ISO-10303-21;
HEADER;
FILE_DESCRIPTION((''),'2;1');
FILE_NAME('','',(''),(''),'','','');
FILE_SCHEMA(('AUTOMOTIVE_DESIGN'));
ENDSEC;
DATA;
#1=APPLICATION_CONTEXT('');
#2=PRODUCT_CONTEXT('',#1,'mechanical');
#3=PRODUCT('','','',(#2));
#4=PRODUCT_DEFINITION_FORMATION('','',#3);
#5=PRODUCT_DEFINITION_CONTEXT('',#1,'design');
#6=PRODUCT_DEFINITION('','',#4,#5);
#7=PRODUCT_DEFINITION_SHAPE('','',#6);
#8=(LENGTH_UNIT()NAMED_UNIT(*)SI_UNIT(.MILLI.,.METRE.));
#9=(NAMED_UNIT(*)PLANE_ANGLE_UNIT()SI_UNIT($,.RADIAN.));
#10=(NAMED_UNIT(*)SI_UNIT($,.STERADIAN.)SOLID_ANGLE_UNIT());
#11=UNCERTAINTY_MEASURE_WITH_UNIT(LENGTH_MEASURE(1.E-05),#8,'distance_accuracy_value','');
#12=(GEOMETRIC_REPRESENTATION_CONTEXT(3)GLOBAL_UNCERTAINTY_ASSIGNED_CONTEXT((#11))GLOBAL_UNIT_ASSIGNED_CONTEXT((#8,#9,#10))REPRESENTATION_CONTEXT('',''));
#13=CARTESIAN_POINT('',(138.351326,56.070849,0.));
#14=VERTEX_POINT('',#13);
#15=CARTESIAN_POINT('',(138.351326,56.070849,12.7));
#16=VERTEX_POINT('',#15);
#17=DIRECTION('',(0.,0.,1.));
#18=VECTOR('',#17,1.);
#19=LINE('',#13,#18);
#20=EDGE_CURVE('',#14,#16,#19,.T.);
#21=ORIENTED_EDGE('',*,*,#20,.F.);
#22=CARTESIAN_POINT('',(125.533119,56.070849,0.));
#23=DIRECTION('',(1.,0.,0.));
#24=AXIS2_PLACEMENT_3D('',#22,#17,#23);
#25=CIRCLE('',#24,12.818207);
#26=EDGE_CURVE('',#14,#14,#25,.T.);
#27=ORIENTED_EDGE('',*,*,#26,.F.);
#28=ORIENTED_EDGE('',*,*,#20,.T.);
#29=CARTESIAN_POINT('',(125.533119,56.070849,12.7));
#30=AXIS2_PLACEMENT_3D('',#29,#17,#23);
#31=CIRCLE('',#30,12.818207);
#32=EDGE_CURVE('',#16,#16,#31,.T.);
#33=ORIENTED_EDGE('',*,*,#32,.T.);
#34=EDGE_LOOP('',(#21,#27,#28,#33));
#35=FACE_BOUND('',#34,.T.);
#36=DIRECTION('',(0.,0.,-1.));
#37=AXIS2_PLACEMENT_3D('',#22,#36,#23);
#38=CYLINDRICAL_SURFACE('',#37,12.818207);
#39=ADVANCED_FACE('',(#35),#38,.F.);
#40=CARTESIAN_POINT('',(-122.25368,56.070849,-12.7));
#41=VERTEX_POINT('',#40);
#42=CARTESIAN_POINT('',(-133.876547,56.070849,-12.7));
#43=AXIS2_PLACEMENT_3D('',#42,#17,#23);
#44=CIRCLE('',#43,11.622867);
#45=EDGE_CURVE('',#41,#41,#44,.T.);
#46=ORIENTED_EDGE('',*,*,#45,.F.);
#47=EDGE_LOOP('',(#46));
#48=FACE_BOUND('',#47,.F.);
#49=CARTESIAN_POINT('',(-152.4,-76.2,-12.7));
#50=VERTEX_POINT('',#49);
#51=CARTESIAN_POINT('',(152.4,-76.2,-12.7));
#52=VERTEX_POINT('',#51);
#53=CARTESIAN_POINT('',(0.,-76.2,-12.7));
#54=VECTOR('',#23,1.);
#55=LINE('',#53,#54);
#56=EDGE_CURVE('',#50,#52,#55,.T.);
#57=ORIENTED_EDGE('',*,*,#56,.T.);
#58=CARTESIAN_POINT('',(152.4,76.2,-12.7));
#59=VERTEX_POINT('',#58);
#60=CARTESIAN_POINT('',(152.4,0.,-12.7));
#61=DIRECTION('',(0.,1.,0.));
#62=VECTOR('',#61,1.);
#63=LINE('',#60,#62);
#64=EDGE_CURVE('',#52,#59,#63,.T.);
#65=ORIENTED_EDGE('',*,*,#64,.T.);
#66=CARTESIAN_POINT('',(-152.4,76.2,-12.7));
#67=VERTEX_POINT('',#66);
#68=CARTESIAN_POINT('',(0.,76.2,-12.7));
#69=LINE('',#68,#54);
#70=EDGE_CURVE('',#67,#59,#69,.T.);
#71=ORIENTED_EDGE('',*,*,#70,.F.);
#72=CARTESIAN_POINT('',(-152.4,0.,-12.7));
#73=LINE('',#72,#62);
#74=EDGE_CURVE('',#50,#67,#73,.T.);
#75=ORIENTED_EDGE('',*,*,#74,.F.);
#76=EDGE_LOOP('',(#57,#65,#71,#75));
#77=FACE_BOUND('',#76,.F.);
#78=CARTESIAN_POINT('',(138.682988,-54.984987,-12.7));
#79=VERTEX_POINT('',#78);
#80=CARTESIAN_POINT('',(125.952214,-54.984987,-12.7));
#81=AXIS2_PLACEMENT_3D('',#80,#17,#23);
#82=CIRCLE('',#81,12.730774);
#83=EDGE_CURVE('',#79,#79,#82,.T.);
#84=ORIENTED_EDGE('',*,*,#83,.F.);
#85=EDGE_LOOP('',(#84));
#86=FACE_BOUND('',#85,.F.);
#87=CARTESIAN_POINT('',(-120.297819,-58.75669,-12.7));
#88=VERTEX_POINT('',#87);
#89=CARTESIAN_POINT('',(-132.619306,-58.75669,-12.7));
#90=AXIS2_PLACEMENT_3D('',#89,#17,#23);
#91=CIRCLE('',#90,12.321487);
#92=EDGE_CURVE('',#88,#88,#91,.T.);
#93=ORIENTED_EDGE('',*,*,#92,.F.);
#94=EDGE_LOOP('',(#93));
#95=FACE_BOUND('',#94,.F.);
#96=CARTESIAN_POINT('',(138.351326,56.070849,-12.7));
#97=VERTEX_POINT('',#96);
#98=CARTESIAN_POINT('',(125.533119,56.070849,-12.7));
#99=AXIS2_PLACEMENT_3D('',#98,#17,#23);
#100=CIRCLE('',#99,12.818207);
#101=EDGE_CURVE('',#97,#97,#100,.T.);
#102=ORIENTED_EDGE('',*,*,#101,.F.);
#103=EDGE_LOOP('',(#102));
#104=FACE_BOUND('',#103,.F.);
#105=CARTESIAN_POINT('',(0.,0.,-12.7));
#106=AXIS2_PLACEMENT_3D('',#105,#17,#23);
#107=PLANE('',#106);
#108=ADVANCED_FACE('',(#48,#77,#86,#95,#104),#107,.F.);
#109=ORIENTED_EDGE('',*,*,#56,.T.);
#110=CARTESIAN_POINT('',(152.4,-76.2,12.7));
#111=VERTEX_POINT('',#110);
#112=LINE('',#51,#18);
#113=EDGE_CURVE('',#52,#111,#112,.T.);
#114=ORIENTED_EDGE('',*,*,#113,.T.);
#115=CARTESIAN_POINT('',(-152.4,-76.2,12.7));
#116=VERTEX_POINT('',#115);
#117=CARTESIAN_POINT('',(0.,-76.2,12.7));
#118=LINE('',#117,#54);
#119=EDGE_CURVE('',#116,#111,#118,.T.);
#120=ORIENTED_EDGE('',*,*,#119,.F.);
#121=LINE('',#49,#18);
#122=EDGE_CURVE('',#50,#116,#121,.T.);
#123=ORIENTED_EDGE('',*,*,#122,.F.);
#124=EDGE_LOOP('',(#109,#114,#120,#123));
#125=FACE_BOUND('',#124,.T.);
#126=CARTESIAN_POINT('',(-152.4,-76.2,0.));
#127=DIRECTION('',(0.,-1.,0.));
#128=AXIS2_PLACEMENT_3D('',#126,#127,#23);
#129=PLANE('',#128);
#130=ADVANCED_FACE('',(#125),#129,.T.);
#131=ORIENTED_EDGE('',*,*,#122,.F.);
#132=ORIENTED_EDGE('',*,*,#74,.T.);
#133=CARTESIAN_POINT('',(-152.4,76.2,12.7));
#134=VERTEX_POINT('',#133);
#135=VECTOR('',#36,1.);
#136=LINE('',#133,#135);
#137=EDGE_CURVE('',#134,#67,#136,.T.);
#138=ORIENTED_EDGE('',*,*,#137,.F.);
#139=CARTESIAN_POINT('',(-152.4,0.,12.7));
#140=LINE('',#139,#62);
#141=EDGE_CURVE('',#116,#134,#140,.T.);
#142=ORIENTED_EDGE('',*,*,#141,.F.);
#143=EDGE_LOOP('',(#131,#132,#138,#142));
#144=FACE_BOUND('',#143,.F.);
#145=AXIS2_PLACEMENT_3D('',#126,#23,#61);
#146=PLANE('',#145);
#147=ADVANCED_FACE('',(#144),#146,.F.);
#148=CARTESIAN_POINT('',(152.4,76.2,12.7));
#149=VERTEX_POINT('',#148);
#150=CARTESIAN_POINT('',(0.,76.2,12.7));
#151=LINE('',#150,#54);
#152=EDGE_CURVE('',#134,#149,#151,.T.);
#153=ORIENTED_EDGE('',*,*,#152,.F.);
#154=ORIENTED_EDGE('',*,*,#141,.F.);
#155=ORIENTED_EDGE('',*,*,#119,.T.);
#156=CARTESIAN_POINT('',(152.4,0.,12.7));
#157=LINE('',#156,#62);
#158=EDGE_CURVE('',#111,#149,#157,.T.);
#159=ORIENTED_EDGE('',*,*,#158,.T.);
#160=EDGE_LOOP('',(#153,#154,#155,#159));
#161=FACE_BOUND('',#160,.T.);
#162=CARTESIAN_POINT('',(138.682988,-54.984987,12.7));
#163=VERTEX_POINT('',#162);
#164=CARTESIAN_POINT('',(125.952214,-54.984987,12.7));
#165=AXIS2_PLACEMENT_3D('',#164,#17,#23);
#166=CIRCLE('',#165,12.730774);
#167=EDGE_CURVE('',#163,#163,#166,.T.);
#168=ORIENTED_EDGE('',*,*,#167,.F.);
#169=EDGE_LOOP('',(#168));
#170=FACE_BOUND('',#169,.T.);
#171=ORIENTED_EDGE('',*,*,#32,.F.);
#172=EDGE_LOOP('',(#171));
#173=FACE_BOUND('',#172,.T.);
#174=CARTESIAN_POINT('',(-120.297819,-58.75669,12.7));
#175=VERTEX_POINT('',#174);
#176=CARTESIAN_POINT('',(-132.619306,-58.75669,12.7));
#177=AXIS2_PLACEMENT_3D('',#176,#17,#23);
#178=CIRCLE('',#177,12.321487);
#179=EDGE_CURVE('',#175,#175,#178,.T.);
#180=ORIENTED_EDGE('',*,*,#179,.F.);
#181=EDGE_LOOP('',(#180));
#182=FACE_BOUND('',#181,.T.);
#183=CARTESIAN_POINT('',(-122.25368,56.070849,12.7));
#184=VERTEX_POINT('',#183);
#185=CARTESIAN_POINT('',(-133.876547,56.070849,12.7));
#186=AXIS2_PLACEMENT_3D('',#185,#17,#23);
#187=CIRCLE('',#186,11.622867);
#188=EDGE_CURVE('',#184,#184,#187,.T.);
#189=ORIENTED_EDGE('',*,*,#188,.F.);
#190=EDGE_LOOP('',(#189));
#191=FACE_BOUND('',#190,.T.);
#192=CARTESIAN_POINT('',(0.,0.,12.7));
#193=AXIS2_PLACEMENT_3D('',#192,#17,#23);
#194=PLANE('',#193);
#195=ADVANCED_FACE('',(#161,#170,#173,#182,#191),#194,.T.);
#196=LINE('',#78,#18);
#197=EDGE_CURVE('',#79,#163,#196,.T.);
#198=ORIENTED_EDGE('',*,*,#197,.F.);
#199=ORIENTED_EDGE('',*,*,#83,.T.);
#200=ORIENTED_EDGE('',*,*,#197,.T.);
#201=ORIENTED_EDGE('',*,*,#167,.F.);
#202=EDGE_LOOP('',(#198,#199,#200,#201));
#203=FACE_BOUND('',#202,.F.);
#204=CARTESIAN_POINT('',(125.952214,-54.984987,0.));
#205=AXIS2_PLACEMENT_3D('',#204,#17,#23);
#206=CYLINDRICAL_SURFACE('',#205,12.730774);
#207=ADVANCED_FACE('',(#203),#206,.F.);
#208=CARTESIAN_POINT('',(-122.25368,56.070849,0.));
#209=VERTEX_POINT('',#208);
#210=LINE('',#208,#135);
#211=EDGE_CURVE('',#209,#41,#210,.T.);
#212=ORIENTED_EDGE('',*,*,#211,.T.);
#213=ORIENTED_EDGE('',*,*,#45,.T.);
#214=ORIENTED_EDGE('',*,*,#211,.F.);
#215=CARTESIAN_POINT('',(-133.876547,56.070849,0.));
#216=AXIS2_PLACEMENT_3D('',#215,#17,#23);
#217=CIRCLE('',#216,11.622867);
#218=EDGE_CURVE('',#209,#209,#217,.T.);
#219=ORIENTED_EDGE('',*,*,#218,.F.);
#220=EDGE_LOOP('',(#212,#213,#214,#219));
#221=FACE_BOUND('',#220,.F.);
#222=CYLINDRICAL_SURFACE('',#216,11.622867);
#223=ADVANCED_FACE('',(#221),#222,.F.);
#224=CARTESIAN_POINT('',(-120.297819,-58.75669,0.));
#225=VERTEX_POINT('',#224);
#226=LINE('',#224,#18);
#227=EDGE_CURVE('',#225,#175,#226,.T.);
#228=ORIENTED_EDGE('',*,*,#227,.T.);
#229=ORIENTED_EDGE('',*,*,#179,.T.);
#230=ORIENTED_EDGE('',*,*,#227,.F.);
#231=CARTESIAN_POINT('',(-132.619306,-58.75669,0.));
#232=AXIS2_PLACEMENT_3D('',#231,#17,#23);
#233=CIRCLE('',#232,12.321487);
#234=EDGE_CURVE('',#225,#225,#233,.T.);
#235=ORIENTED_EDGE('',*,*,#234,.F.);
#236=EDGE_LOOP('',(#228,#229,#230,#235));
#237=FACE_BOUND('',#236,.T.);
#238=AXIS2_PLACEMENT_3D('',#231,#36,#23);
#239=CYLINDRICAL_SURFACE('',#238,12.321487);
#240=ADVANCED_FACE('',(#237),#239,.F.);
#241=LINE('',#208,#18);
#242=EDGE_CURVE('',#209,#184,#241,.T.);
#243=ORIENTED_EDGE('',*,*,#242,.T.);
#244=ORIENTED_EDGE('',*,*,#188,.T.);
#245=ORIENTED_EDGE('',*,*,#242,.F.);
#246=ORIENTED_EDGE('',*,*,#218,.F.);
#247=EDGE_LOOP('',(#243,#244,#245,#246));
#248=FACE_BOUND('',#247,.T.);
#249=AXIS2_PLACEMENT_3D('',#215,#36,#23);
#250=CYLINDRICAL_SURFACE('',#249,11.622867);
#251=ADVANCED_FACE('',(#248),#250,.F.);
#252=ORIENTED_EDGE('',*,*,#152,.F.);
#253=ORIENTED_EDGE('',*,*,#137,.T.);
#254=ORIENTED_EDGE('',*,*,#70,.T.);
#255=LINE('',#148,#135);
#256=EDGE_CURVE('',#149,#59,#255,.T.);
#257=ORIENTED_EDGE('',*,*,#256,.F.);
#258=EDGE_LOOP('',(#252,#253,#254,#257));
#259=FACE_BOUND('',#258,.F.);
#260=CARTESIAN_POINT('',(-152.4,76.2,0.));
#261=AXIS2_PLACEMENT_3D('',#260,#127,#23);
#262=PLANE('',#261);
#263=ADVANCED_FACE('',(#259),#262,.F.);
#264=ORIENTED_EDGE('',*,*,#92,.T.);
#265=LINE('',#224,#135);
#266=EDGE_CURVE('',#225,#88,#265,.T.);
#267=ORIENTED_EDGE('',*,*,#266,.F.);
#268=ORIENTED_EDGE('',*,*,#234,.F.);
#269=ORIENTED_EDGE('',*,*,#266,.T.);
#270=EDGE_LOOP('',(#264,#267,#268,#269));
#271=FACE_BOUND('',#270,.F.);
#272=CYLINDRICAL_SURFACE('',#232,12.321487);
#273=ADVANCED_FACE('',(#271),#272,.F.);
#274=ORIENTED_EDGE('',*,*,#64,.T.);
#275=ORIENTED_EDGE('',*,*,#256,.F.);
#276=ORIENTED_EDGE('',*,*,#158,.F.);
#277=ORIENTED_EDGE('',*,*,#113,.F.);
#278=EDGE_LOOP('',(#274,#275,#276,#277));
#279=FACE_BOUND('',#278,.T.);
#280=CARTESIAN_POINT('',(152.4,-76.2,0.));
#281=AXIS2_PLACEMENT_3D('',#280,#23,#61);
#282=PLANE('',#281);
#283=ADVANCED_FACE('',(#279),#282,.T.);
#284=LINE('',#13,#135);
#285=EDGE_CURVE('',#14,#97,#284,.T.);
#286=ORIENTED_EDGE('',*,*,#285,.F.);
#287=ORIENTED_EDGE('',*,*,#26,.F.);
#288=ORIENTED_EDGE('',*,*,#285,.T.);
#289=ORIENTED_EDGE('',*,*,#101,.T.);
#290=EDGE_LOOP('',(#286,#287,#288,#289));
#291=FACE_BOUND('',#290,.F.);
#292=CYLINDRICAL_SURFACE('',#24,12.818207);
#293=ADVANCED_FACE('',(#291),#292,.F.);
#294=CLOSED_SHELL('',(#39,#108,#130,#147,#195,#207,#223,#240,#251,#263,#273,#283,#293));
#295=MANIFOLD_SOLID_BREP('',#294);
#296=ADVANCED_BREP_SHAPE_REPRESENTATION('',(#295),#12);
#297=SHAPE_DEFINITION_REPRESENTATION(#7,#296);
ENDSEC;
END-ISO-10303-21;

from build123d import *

# Parameters (mm, degrees)
F0_W     = 304.8
F0_H     = 152.4
F1_DEPTH = 12.7
F2_R     = 11.622867
F2_R_2   = 12.321487
F2_R_3   = 12.818207
F2_R_4   = 12.730774
F3_DEPTH = 12.7


with BuildPart() as f1:
    # F0 (on Top) → F1 (new body, symmetric)
    with BuildSketch(Plane.XY):
        Rectangle(F0_W, F0_H)
    extrude(amount=F1_DEPTH, both=True)

    # F2 (on Top) → F3 (cut, symmetric)
    with BuildSketch(Plane.XY):
        with Locations((-133.876547, 56.070849)):
            Circle(F2_R)
        with Locations((-132.619306, -58.75669)):
            Circle(F2_R_2)
        with Locations((125.533119, 56.070849)):
            Circle(F2_R_3)
        with Locations((125.952214, -54.984987)):
            Circle(F2_R_4)
    extrude(amount=F3_DEPTH, both=True, mode=Mode.SUBTRACT)


solid = f1.part
